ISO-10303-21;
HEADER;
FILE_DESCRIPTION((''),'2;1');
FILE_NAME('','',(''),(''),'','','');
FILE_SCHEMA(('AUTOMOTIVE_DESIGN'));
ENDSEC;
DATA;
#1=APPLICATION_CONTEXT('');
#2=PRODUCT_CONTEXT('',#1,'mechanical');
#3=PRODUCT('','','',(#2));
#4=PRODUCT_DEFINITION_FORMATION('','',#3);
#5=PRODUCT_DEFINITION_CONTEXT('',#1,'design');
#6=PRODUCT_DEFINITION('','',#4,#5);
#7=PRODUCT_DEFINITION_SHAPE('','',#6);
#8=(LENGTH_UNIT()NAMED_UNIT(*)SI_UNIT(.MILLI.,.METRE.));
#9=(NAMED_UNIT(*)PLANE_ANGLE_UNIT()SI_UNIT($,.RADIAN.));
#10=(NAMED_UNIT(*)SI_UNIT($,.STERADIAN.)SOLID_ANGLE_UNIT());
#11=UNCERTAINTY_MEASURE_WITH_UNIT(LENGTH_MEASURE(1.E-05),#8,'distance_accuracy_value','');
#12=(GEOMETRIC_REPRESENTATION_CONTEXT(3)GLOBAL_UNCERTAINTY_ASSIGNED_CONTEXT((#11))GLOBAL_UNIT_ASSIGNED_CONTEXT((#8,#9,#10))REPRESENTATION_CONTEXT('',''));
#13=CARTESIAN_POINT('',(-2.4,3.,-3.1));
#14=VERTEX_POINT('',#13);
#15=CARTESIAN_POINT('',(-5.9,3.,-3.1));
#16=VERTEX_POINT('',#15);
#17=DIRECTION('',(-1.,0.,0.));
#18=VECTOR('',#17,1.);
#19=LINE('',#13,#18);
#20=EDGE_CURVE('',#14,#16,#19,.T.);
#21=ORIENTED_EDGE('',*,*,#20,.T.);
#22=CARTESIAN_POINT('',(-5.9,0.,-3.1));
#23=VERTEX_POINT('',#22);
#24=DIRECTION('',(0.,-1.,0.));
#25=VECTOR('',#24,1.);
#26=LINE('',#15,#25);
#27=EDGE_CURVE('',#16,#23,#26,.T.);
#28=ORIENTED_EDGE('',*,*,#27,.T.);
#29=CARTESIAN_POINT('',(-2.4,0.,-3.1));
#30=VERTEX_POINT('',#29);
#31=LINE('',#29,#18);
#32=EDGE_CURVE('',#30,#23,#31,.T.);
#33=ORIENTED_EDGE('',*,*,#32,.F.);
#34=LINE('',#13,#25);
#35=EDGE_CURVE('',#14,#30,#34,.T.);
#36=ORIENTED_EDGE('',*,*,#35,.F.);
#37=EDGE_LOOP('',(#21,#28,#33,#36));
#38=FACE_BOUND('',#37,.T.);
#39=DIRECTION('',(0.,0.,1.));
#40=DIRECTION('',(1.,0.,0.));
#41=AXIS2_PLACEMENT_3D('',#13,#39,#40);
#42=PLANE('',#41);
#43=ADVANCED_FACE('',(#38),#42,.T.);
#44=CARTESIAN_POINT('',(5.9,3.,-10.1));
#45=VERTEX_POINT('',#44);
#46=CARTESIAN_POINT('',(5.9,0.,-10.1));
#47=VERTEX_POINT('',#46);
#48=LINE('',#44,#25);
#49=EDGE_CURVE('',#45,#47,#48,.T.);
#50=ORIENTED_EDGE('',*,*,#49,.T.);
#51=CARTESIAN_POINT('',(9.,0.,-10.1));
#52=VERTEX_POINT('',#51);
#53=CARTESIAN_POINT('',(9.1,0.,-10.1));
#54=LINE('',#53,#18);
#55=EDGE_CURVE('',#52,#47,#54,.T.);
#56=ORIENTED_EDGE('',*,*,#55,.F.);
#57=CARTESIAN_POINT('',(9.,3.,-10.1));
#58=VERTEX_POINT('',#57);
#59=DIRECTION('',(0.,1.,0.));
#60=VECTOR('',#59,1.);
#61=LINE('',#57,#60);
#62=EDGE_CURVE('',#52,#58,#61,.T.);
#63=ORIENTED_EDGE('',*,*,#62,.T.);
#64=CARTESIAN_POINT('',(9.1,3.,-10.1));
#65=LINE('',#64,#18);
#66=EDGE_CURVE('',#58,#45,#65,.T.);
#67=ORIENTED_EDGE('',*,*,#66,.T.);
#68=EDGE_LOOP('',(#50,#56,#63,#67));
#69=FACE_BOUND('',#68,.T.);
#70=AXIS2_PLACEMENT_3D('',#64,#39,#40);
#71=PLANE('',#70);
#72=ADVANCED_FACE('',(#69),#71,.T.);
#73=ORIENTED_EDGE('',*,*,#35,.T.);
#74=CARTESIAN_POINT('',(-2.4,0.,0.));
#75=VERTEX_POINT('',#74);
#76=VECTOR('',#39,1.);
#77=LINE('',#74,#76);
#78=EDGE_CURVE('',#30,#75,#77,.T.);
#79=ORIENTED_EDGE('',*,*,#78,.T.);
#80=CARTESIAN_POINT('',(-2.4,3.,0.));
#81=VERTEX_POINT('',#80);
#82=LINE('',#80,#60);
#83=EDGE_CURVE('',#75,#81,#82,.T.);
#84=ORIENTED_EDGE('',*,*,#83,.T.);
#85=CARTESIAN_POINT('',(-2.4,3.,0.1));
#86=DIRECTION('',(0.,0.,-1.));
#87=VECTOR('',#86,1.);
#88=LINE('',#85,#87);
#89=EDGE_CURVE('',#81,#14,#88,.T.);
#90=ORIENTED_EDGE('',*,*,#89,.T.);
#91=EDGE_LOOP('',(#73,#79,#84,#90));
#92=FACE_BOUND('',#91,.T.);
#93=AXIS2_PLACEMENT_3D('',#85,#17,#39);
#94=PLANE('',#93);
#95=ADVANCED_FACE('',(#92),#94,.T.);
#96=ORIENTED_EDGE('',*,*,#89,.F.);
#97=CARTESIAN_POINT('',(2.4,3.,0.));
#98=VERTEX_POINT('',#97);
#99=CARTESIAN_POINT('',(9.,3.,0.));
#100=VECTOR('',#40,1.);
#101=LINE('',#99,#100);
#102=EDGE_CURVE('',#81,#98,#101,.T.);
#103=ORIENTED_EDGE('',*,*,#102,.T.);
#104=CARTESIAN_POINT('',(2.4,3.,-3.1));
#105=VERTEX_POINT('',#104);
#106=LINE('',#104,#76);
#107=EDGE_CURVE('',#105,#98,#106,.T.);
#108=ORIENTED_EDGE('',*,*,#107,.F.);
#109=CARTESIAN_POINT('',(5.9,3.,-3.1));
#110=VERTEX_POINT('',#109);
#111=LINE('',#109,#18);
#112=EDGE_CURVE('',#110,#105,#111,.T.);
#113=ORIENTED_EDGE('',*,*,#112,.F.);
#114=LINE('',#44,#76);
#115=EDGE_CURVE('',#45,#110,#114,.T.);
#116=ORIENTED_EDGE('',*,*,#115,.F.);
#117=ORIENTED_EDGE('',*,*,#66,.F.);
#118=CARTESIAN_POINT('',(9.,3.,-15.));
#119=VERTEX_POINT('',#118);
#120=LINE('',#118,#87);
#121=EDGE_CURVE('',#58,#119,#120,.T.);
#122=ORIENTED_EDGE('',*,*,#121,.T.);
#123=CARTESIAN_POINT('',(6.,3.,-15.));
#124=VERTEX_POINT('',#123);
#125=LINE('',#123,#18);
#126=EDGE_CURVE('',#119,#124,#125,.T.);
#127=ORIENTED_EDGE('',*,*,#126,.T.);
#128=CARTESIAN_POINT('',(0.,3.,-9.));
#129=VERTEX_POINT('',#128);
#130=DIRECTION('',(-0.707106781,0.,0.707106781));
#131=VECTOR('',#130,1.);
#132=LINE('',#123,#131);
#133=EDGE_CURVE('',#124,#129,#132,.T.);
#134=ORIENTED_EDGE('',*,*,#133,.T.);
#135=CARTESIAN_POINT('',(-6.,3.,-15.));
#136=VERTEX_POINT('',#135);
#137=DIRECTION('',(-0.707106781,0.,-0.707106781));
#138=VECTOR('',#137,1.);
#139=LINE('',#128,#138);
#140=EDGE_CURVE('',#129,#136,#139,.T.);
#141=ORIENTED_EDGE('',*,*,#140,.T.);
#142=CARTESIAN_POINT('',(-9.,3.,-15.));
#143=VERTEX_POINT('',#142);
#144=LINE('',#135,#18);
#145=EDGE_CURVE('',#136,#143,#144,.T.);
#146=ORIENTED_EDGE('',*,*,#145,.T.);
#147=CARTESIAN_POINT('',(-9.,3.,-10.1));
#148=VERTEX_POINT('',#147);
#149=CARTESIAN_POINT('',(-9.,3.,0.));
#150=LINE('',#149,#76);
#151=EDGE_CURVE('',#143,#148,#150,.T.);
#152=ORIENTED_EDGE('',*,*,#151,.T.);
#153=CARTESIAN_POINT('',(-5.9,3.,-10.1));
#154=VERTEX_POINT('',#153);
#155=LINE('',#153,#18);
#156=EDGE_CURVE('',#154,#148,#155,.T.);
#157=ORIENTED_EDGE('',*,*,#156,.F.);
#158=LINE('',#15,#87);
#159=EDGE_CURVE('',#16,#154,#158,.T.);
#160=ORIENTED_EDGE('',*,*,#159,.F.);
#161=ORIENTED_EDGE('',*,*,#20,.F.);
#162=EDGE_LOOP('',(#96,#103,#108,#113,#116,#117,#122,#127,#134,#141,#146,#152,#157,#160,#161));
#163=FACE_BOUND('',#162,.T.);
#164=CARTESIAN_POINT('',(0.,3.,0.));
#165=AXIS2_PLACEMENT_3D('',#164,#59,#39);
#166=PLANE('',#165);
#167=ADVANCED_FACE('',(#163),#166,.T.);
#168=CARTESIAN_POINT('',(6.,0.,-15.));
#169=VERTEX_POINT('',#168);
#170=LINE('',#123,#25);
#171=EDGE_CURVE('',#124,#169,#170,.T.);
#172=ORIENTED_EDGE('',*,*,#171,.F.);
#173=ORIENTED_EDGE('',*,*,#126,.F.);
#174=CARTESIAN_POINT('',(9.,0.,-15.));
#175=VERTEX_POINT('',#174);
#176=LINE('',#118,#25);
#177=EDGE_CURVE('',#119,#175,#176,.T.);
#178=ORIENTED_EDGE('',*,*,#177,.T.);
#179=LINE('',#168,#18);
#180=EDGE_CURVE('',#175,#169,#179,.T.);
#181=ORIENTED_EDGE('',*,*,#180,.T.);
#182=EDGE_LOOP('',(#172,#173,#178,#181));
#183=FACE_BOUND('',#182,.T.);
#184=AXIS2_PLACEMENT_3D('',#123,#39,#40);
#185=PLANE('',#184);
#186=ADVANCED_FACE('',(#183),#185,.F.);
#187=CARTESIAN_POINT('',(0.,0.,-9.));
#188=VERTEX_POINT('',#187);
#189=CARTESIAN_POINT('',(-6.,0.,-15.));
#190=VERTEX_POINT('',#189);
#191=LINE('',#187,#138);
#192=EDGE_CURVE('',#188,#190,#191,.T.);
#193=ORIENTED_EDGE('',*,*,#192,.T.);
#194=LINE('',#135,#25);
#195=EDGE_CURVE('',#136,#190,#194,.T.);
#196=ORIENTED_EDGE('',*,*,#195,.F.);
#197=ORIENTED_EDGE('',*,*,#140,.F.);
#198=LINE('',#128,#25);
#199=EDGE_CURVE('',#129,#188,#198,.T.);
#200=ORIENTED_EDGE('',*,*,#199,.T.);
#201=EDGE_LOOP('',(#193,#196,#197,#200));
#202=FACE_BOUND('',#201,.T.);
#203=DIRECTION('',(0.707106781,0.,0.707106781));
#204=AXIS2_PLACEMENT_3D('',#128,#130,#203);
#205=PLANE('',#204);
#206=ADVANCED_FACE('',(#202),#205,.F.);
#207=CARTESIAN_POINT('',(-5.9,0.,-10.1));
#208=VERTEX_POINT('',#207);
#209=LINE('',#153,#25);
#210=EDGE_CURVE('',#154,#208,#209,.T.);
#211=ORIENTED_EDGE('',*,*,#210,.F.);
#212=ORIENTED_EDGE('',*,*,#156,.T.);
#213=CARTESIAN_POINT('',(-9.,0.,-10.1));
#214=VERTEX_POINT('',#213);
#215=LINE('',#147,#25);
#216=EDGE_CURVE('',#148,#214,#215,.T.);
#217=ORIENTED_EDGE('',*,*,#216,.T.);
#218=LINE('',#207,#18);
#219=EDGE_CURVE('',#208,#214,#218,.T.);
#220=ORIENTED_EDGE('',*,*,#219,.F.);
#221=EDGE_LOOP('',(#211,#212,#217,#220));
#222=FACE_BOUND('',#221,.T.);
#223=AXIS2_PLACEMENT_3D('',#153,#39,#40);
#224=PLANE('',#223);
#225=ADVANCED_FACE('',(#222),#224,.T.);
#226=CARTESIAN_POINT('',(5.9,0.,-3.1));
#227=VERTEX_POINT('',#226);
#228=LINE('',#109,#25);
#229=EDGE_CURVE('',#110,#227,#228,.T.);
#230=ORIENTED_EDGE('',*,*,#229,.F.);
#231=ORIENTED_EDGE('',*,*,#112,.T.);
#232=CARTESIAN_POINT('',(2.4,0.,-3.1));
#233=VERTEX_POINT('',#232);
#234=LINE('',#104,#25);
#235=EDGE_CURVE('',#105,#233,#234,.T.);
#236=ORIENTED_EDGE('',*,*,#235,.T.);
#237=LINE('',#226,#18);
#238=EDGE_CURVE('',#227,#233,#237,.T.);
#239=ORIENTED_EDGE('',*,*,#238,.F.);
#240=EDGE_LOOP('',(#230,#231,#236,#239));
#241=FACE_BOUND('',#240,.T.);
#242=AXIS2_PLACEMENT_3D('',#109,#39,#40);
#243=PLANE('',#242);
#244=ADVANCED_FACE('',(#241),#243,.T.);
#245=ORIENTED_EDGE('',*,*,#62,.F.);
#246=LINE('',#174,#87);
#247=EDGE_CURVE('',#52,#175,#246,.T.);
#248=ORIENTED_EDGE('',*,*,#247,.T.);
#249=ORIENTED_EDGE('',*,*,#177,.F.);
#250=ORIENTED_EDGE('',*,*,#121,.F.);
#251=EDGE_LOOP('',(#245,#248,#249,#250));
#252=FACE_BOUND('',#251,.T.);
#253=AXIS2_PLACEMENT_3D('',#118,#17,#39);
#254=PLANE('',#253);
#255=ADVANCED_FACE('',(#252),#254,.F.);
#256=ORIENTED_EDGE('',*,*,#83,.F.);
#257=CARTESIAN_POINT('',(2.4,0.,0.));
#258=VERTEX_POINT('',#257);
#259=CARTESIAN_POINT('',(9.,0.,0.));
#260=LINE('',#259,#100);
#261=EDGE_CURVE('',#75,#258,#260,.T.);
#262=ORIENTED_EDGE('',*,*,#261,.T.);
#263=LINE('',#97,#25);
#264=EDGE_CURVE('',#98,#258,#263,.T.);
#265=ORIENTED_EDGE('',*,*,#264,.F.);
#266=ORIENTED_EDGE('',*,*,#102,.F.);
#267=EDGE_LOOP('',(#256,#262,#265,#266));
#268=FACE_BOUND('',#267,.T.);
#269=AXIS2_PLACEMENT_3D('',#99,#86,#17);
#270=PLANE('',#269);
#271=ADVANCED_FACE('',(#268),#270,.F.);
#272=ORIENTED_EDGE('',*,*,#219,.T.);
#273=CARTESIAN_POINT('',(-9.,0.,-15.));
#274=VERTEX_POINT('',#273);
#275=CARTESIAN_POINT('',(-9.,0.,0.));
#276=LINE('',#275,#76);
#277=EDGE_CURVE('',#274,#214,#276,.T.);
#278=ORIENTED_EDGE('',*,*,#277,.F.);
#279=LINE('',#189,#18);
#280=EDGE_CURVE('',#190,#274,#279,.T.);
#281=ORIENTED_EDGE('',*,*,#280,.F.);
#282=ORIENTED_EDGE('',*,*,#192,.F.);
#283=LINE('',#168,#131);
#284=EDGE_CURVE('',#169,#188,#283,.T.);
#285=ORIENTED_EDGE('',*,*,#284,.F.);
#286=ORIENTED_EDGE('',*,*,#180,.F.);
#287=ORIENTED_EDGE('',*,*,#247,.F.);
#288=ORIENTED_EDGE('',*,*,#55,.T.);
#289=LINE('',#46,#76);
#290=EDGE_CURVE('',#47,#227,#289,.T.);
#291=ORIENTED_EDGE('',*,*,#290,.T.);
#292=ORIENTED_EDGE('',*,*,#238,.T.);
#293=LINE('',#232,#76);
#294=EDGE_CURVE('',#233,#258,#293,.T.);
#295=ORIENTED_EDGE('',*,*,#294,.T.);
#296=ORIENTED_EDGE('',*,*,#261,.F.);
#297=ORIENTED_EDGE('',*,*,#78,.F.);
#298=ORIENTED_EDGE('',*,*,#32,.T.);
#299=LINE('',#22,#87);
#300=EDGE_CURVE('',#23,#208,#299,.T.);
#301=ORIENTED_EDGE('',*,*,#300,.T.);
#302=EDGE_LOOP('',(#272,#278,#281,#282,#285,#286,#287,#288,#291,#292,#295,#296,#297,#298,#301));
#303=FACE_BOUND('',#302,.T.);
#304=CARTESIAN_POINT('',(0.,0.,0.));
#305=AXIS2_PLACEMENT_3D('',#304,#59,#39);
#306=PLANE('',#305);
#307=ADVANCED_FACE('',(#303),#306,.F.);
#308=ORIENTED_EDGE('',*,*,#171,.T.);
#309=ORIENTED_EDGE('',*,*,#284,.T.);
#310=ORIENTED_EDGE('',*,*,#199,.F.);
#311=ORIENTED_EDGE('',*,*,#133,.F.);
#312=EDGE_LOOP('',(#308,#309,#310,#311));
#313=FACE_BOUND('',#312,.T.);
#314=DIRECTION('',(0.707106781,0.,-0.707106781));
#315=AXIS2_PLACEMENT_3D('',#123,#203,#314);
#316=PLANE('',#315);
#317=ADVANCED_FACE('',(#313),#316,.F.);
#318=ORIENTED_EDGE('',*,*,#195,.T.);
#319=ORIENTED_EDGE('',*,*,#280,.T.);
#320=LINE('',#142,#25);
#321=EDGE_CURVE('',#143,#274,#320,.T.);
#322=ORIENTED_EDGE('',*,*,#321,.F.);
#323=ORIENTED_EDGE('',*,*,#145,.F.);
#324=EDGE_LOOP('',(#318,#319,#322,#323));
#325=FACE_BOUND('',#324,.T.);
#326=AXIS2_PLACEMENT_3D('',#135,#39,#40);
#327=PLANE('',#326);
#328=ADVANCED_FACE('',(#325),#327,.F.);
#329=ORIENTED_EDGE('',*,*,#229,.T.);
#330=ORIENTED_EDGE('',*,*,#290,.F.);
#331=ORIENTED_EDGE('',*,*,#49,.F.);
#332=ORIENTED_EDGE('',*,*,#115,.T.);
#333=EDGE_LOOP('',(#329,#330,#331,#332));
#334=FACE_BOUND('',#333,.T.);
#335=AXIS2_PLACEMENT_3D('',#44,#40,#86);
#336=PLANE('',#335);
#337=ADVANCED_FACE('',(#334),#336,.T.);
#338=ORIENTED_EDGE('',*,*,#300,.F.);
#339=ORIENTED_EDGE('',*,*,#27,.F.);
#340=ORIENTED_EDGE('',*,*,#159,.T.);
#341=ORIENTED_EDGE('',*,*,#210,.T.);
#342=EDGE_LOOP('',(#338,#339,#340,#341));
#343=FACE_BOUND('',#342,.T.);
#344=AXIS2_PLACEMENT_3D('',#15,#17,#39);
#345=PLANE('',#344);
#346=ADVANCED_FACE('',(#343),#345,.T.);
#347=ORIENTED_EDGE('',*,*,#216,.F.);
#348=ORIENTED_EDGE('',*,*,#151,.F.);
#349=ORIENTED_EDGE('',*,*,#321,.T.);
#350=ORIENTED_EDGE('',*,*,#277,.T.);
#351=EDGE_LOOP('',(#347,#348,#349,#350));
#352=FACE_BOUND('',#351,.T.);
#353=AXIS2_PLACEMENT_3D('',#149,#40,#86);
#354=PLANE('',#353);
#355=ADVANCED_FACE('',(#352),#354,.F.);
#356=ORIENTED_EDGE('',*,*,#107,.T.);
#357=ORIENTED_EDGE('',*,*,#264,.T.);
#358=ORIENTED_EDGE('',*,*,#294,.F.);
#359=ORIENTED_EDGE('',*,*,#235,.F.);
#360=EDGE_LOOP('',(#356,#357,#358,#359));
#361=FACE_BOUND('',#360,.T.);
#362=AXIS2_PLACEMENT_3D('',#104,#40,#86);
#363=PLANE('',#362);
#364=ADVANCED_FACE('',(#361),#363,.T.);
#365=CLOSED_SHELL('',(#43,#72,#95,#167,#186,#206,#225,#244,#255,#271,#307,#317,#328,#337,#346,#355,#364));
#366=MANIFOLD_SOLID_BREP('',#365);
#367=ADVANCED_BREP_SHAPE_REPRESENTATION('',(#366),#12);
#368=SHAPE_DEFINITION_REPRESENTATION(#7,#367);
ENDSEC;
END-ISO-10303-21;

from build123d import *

# Parameters (mm, degrees)
BOSS_EXTRUDE1_DEPTH = 3
CUT_EXTRUDE3_DEPTH  = 4


with BuildPart() as part:
    # Sketch1 → Boss-Extrude1 (new body)
    with BuildSketch(Plane(origin=(0, 0, 0), x_dir=(1, 0, 0), z_dir=(0, 1, 0))):
        Polygon((-6, 15), (-9, 15), (-9, 0), (9, 0), (9, 15), (6, 15), (0, 9), align=None)
    extrude(amount=BOSS_EXTRUDE1_DEPTH)

    # Sketch6 → Cut-Extrude3 (cut, through all)
    with BuildSketch(Plane(origin=(0, 0, 0), x_dir=(1, 0, 0), z_dir=(0, 1, 0))):
        Polygon((-5.9, 3.1), (-5.9, 10.1), (-9.1, 10.1), (-9.1, -0.1), (-2.4, -0.1), (-2.4, 3.1), align=None)
        Polygon((9.1, 10.1), (5.9, 10.1), (5.9, 3.1), (2.4, 3.1), (2.4, -0.1), (9.1, -0.1), align=None)
    extrude(amount=CUT_EXTRUDE3_DEPTH, mode=Mode.SUBTRACT)


solid = part.part
